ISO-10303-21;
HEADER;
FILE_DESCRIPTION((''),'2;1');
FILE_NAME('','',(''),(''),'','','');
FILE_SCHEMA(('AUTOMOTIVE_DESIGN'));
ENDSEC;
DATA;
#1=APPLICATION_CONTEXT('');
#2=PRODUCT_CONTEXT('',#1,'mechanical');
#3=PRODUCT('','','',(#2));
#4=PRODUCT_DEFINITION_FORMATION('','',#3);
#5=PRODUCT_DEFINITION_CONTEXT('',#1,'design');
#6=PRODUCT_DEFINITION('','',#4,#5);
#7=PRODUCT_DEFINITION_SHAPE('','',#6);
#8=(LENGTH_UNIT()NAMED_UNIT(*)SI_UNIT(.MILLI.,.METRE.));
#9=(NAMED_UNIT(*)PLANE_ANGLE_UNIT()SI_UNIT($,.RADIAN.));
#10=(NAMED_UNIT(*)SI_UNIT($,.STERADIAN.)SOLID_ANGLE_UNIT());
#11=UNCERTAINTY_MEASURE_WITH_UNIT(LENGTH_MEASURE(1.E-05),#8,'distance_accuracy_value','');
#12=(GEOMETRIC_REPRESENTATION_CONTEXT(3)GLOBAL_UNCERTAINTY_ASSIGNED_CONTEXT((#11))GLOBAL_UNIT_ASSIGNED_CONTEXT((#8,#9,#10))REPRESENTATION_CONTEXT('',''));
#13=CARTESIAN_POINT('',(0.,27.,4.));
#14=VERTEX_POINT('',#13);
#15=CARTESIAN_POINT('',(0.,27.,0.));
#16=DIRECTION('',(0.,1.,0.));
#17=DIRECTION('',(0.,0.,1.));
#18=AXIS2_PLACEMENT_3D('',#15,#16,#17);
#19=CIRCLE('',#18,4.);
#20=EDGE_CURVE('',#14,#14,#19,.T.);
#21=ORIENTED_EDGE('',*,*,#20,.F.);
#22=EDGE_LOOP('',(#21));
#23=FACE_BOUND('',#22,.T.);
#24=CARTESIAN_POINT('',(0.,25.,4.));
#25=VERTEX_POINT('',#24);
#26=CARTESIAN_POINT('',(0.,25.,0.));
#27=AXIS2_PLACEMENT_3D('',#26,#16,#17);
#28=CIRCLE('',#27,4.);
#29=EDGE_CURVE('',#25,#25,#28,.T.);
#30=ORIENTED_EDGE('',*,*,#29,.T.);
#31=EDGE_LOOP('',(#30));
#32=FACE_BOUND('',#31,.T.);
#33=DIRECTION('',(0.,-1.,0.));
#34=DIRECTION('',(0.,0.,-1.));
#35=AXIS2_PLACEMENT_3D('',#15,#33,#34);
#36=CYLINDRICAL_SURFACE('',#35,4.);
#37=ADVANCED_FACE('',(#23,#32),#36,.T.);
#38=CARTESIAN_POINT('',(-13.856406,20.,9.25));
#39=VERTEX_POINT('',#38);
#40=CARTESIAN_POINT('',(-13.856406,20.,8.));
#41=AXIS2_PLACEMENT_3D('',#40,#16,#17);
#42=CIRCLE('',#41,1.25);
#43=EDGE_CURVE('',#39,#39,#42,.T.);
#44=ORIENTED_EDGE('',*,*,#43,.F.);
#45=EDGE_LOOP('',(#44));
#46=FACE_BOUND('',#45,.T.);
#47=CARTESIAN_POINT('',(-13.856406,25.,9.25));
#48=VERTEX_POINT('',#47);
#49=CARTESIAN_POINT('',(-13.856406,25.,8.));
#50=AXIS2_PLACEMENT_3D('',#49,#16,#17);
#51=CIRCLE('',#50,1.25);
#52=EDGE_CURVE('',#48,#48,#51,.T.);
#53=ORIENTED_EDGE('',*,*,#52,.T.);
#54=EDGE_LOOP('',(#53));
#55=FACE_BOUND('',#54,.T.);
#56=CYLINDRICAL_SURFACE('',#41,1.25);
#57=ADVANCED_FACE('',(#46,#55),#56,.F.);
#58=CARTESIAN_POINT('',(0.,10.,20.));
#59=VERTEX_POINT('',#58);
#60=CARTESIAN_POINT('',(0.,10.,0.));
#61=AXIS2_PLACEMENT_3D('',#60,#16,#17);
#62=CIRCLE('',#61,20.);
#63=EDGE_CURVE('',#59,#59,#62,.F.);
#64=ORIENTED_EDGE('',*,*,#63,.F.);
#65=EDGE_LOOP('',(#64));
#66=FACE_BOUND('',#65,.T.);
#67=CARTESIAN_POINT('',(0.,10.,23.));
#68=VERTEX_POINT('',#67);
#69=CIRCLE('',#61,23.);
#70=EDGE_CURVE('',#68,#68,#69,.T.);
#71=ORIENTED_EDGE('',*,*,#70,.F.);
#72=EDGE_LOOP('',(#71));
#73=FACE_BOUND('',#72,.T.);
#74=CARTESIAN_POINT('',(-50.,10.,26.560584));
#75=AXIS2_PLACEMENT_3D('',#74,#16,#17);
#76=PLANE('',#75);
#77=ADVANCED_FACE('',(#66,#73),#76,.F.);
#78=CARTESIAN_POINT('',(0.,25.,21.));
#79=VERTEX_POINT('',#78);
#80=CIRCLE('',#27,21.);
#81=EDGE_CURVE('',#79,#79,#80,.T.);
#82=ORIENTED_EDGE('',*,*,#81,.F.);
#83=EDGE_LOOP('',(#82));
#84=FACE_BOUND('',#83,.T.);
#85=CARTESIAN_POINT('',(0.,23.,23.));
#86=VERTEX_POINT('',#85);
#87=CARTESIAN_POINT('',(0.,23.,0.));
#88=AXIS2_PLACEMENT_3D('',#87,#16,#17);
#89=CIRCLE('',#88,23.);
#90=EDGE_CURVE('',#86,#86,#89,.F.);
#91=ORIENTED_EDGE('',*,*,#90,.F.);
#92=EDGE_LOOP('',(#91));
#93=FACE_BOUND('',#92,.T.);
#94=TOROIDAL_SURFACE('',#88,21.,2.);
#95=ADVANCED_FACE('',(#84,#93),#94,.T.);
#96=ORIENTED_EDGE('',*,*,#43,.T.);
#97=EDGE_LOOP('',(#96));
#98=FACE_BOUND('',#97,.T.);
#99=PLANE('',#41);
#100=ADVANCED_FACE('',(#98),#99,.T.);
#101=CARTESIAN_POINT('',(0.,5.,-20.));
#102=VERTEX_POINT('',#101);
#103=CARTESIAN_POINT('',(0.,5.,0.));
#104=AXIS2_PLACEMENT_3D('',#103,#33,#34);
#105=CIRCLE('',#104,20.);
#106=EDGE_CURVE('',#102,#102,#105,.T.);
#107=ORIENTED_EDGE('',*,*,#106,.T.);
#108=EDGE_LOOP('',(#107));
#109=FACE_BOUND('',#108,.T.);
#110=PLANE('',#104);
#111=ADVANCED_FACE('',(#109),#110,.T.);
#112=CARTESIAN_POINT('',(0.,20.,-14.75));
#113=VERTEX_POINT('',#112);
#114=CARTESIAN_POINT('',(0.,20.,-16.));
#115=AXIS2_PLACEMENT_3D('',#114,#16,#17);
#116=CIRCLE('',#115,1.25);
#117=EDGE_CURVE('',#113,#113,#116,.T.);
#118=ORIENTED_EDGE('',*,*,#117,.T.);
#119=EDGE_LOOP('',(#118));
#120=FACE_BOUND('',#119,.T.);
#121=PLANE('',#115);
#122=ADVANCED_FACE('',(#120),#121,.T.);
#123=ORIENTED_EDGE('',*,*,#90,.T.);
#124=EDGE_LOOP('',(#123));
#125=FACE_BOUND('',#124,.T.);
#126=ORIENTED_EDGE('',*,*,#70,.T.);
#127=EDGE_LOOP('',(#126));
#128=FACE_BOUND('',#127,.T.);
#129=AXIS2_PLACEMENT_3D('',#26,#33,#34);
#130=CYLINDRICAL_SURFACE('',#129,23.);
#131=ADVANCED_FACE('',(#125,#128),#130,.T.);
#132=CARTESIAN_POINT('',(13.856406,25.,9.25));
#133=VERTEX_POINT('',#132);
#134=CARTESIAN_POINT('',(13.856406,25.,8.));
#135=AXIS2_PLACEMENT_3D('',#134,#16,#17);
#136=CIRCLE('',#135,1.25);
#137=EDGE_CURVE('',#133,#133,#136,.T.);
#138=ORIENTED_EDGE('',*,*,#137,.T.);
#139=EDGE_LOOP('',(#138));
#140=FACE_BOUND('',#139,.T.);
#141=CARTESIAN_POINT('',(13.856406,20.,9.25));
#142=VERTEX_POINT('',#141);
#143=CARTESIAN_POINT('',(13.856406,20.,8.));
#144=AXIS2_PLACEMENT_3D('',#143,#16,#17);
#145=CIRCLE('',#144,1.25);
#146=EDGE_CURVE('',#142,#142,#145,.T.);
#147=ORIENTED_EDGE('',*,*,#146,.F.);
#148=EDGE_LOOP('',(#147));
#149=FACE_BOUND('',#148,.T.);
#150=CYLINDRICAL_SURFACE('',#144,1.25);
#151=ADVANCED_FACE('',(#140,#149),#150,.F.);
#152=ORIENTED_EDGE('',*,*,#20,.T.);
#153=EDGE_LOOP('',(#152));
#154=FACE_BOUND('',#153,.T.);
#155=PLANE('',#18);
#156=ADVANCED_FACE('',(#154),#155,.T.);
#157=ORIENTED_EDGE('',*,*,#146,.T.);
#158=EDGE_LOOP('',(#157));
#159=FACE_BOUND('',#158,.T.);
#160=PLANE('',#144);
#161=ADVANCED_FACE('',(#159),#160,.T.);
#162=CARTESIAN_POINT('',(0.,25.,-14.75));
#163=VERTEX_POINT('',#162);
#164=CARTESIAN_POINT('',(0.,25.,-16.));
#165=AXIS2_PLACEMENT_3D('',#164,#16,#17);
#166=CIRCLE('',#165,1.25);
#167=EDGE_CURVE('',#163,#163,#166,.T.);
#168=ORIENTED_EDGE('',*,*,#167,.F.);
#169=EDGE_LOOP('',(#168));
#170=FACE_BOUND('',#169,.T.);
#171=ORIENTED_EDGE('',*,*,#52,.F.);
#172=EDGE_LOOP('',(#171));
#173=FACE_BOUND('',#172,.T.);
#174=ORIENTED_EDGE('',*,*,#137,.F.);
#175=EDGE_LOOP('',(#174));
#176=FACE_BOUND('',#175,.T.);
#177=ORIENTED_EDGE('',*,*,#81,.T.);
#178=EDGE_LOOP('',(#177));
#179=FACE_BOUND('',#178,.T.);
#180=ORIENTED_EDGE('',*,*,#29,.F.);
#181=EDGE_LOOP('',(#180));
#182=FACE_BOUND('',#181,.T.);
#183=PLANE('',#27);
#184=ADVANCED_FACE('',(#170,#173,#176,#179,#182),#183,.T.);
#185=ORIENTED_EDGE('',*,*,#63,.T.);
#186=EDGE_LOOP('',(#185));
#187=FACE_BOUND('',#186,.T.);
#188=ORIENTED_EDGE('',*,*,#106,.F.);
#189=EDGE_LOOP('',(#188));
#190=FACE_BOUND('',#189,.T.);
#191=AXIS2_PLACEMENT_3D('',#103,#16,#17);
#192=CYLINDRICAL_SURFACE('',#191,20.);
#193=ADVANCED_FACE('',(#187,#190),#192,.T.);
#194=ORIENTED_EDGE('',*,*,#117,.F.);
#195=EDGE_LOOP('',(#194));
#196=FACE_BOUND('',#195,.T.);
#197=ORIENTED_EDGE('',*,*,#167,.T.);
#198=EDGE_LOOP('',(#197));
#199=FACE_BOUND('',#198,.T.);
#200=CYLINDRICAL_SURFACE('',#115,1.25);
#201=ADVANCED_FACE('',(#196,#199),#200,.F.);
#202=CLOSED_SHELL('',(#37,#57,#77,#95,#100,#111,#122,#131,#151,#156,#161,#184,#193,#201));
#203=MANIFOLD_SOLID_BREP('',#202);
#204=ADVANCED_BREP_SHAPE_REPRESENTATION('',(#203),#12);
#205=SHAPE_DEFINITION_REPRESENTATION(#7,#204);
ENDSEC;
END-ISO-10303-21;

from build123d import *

# Parameters (mm, degrees)
SKETCH6_R           = 23
BOSS_EXTRUDE3_DEPTH = 25
SKETCH7_R           = 1.5
CUT_EXTRUDE2_DEPTH  = 5
SKETCH8_R           = 1.25
CUT_EXTRUDE3_DEPTH  = 5
SKETCH9_R           = 4
BOSS_EXTRUDE4_DEPTH = 2
SKETCH10_R          = 2
BOSS_EXTRUDE5_DEPTH = 3
FILLET1_R           = 5
FILLET2_R           = 2
SKETCH11_W          = 63.139776453
SKETCH11_H          = 24.157827512
CUT_EXTRUDE4_DEPTH  = 50
SKETCH12_R          = 20
BOSS_EXTRUDE6_DEPTH = 5


with BuildPart() as part:
    # Sketch6 → Boss-Extrude3 (new body)
    with BuildSketch(Plane(origin=(0, 0, 0), x_dir=(1, 0, 0), z_dir=(0, 1, 0))):
        with Locations(Location((0, 0, 0), (0, 0, 270))):
            Circle(SKETCH6_R)
    extrude(amount=BOSS_EXTRUDE3_DEPTH)

    # Sketch7 → Cut-Extrude2 (cut)
    with BuildSketch(Plane(origin=(0, 0, 0), x_dir=(1, 0, 0), z_dir=(0, 1, 0))):
        with Locations(Location((-6, 0, 0), (0, 0, 270))):
            Circle(SKETCH7_R)
        with Locations(Location((0, 6, 0), (0, 0, 270))):
            Circle(SKETCH7_R)
        with Locations(Location((6, 0, 0), (0, 0, 270))):
            Circle(SKETCH7_R)
        with Locations(Location((0, -6, 0), (0, 0, 270))):
            Circle(SKETCH7_R)
    extrude(amount=CUT_EXTRUDE2_DEPTH, mode=Mode.SUBTRACT)

    # Sketch8 → Cut-Extrude3 (cut)
    with BuildSketch(Plane(origin=(0, 25, 0), x_dir=(1, 0, 0), z_dir=(0, 1, 0))):
        with Locations(Location((-13.856406461, -8, 0), (0, 0, 270))):
            Circle(SKETCH8_R)
        with Locations(Location((0, 16, 0), (0, 0, 270))):
            Circle(SKETCH8_R)
        with Locations(Location((13.856406461, -8, 0), (0, 0, 270))):
            Circle(SKETCH8_R)
    extrude(amount=-CUT_EXTRUDE3_DEPTH, mode=Mode.SUBTRACT)

    # Sketch9 → Boss-Extrude4 (add)
    with BuildSketch(Plane(origin=(0, 25, 0), x_dir=(1, 0, 0), z_dir=(0, 1, 0))):
        with Locations(Location((0, 0, 0), (0, 0, 270))):
            Circle(SKETCH9_R)
    extrude(amount=BOSS_EXTRUDE4_DEPTH)

    # Sketch10 → Boss-Extrude5 (add)
    with BuildSketch(Plane.XZ):
        with Locations(Location((0, 0, 0), (0, 0, 90))):
            Circle(SKETCH10_R)
    extrude(amount=BOSS_EXTRUDE5_DEPTH)

    # Fillet1
    fillet1_edges = [part.edges().sort_by_distance(p)[0] for p in [
        (0, 0, -23),
    ]]
    fillet(fillet1_edges, radius=FILLET1_R)

    # Fillet2
    fillet2_edges = [part.edges().sort_by_distance(p)[0] for p in [
        (0, 25, -23),
    ]]
    fillet(fillet2_edges, radius=FILLET2_R)

    # Sketch11 → Cut-Extrude4 (cut, symmetric)
    with BuildSketch(Plane(origin=(0, 0, 0), x_dir=(0, 0, -1), z_dir=(1, 0, 0))):
        with Locations((5.009304592, -2.078913756)):
            Rectangle(SKETCH11_W, SKETCH11_H)
    extrude(amount=CUT_EXTRUDE4_DEPTH, both=True, mode=Mode.SUBTRACT)

    # Sketch12 → Boss-Extrude6 (add)
    with BuildSketch(Plane.XZ.offset(-10)):
        with Locations(Location((0, 0, 0), (0, 0, 90))):
            Circle(SKETCH12_R)
    extrude(amount=BOSS_EXTRUDE6_DEPTH)


solid = part.part
